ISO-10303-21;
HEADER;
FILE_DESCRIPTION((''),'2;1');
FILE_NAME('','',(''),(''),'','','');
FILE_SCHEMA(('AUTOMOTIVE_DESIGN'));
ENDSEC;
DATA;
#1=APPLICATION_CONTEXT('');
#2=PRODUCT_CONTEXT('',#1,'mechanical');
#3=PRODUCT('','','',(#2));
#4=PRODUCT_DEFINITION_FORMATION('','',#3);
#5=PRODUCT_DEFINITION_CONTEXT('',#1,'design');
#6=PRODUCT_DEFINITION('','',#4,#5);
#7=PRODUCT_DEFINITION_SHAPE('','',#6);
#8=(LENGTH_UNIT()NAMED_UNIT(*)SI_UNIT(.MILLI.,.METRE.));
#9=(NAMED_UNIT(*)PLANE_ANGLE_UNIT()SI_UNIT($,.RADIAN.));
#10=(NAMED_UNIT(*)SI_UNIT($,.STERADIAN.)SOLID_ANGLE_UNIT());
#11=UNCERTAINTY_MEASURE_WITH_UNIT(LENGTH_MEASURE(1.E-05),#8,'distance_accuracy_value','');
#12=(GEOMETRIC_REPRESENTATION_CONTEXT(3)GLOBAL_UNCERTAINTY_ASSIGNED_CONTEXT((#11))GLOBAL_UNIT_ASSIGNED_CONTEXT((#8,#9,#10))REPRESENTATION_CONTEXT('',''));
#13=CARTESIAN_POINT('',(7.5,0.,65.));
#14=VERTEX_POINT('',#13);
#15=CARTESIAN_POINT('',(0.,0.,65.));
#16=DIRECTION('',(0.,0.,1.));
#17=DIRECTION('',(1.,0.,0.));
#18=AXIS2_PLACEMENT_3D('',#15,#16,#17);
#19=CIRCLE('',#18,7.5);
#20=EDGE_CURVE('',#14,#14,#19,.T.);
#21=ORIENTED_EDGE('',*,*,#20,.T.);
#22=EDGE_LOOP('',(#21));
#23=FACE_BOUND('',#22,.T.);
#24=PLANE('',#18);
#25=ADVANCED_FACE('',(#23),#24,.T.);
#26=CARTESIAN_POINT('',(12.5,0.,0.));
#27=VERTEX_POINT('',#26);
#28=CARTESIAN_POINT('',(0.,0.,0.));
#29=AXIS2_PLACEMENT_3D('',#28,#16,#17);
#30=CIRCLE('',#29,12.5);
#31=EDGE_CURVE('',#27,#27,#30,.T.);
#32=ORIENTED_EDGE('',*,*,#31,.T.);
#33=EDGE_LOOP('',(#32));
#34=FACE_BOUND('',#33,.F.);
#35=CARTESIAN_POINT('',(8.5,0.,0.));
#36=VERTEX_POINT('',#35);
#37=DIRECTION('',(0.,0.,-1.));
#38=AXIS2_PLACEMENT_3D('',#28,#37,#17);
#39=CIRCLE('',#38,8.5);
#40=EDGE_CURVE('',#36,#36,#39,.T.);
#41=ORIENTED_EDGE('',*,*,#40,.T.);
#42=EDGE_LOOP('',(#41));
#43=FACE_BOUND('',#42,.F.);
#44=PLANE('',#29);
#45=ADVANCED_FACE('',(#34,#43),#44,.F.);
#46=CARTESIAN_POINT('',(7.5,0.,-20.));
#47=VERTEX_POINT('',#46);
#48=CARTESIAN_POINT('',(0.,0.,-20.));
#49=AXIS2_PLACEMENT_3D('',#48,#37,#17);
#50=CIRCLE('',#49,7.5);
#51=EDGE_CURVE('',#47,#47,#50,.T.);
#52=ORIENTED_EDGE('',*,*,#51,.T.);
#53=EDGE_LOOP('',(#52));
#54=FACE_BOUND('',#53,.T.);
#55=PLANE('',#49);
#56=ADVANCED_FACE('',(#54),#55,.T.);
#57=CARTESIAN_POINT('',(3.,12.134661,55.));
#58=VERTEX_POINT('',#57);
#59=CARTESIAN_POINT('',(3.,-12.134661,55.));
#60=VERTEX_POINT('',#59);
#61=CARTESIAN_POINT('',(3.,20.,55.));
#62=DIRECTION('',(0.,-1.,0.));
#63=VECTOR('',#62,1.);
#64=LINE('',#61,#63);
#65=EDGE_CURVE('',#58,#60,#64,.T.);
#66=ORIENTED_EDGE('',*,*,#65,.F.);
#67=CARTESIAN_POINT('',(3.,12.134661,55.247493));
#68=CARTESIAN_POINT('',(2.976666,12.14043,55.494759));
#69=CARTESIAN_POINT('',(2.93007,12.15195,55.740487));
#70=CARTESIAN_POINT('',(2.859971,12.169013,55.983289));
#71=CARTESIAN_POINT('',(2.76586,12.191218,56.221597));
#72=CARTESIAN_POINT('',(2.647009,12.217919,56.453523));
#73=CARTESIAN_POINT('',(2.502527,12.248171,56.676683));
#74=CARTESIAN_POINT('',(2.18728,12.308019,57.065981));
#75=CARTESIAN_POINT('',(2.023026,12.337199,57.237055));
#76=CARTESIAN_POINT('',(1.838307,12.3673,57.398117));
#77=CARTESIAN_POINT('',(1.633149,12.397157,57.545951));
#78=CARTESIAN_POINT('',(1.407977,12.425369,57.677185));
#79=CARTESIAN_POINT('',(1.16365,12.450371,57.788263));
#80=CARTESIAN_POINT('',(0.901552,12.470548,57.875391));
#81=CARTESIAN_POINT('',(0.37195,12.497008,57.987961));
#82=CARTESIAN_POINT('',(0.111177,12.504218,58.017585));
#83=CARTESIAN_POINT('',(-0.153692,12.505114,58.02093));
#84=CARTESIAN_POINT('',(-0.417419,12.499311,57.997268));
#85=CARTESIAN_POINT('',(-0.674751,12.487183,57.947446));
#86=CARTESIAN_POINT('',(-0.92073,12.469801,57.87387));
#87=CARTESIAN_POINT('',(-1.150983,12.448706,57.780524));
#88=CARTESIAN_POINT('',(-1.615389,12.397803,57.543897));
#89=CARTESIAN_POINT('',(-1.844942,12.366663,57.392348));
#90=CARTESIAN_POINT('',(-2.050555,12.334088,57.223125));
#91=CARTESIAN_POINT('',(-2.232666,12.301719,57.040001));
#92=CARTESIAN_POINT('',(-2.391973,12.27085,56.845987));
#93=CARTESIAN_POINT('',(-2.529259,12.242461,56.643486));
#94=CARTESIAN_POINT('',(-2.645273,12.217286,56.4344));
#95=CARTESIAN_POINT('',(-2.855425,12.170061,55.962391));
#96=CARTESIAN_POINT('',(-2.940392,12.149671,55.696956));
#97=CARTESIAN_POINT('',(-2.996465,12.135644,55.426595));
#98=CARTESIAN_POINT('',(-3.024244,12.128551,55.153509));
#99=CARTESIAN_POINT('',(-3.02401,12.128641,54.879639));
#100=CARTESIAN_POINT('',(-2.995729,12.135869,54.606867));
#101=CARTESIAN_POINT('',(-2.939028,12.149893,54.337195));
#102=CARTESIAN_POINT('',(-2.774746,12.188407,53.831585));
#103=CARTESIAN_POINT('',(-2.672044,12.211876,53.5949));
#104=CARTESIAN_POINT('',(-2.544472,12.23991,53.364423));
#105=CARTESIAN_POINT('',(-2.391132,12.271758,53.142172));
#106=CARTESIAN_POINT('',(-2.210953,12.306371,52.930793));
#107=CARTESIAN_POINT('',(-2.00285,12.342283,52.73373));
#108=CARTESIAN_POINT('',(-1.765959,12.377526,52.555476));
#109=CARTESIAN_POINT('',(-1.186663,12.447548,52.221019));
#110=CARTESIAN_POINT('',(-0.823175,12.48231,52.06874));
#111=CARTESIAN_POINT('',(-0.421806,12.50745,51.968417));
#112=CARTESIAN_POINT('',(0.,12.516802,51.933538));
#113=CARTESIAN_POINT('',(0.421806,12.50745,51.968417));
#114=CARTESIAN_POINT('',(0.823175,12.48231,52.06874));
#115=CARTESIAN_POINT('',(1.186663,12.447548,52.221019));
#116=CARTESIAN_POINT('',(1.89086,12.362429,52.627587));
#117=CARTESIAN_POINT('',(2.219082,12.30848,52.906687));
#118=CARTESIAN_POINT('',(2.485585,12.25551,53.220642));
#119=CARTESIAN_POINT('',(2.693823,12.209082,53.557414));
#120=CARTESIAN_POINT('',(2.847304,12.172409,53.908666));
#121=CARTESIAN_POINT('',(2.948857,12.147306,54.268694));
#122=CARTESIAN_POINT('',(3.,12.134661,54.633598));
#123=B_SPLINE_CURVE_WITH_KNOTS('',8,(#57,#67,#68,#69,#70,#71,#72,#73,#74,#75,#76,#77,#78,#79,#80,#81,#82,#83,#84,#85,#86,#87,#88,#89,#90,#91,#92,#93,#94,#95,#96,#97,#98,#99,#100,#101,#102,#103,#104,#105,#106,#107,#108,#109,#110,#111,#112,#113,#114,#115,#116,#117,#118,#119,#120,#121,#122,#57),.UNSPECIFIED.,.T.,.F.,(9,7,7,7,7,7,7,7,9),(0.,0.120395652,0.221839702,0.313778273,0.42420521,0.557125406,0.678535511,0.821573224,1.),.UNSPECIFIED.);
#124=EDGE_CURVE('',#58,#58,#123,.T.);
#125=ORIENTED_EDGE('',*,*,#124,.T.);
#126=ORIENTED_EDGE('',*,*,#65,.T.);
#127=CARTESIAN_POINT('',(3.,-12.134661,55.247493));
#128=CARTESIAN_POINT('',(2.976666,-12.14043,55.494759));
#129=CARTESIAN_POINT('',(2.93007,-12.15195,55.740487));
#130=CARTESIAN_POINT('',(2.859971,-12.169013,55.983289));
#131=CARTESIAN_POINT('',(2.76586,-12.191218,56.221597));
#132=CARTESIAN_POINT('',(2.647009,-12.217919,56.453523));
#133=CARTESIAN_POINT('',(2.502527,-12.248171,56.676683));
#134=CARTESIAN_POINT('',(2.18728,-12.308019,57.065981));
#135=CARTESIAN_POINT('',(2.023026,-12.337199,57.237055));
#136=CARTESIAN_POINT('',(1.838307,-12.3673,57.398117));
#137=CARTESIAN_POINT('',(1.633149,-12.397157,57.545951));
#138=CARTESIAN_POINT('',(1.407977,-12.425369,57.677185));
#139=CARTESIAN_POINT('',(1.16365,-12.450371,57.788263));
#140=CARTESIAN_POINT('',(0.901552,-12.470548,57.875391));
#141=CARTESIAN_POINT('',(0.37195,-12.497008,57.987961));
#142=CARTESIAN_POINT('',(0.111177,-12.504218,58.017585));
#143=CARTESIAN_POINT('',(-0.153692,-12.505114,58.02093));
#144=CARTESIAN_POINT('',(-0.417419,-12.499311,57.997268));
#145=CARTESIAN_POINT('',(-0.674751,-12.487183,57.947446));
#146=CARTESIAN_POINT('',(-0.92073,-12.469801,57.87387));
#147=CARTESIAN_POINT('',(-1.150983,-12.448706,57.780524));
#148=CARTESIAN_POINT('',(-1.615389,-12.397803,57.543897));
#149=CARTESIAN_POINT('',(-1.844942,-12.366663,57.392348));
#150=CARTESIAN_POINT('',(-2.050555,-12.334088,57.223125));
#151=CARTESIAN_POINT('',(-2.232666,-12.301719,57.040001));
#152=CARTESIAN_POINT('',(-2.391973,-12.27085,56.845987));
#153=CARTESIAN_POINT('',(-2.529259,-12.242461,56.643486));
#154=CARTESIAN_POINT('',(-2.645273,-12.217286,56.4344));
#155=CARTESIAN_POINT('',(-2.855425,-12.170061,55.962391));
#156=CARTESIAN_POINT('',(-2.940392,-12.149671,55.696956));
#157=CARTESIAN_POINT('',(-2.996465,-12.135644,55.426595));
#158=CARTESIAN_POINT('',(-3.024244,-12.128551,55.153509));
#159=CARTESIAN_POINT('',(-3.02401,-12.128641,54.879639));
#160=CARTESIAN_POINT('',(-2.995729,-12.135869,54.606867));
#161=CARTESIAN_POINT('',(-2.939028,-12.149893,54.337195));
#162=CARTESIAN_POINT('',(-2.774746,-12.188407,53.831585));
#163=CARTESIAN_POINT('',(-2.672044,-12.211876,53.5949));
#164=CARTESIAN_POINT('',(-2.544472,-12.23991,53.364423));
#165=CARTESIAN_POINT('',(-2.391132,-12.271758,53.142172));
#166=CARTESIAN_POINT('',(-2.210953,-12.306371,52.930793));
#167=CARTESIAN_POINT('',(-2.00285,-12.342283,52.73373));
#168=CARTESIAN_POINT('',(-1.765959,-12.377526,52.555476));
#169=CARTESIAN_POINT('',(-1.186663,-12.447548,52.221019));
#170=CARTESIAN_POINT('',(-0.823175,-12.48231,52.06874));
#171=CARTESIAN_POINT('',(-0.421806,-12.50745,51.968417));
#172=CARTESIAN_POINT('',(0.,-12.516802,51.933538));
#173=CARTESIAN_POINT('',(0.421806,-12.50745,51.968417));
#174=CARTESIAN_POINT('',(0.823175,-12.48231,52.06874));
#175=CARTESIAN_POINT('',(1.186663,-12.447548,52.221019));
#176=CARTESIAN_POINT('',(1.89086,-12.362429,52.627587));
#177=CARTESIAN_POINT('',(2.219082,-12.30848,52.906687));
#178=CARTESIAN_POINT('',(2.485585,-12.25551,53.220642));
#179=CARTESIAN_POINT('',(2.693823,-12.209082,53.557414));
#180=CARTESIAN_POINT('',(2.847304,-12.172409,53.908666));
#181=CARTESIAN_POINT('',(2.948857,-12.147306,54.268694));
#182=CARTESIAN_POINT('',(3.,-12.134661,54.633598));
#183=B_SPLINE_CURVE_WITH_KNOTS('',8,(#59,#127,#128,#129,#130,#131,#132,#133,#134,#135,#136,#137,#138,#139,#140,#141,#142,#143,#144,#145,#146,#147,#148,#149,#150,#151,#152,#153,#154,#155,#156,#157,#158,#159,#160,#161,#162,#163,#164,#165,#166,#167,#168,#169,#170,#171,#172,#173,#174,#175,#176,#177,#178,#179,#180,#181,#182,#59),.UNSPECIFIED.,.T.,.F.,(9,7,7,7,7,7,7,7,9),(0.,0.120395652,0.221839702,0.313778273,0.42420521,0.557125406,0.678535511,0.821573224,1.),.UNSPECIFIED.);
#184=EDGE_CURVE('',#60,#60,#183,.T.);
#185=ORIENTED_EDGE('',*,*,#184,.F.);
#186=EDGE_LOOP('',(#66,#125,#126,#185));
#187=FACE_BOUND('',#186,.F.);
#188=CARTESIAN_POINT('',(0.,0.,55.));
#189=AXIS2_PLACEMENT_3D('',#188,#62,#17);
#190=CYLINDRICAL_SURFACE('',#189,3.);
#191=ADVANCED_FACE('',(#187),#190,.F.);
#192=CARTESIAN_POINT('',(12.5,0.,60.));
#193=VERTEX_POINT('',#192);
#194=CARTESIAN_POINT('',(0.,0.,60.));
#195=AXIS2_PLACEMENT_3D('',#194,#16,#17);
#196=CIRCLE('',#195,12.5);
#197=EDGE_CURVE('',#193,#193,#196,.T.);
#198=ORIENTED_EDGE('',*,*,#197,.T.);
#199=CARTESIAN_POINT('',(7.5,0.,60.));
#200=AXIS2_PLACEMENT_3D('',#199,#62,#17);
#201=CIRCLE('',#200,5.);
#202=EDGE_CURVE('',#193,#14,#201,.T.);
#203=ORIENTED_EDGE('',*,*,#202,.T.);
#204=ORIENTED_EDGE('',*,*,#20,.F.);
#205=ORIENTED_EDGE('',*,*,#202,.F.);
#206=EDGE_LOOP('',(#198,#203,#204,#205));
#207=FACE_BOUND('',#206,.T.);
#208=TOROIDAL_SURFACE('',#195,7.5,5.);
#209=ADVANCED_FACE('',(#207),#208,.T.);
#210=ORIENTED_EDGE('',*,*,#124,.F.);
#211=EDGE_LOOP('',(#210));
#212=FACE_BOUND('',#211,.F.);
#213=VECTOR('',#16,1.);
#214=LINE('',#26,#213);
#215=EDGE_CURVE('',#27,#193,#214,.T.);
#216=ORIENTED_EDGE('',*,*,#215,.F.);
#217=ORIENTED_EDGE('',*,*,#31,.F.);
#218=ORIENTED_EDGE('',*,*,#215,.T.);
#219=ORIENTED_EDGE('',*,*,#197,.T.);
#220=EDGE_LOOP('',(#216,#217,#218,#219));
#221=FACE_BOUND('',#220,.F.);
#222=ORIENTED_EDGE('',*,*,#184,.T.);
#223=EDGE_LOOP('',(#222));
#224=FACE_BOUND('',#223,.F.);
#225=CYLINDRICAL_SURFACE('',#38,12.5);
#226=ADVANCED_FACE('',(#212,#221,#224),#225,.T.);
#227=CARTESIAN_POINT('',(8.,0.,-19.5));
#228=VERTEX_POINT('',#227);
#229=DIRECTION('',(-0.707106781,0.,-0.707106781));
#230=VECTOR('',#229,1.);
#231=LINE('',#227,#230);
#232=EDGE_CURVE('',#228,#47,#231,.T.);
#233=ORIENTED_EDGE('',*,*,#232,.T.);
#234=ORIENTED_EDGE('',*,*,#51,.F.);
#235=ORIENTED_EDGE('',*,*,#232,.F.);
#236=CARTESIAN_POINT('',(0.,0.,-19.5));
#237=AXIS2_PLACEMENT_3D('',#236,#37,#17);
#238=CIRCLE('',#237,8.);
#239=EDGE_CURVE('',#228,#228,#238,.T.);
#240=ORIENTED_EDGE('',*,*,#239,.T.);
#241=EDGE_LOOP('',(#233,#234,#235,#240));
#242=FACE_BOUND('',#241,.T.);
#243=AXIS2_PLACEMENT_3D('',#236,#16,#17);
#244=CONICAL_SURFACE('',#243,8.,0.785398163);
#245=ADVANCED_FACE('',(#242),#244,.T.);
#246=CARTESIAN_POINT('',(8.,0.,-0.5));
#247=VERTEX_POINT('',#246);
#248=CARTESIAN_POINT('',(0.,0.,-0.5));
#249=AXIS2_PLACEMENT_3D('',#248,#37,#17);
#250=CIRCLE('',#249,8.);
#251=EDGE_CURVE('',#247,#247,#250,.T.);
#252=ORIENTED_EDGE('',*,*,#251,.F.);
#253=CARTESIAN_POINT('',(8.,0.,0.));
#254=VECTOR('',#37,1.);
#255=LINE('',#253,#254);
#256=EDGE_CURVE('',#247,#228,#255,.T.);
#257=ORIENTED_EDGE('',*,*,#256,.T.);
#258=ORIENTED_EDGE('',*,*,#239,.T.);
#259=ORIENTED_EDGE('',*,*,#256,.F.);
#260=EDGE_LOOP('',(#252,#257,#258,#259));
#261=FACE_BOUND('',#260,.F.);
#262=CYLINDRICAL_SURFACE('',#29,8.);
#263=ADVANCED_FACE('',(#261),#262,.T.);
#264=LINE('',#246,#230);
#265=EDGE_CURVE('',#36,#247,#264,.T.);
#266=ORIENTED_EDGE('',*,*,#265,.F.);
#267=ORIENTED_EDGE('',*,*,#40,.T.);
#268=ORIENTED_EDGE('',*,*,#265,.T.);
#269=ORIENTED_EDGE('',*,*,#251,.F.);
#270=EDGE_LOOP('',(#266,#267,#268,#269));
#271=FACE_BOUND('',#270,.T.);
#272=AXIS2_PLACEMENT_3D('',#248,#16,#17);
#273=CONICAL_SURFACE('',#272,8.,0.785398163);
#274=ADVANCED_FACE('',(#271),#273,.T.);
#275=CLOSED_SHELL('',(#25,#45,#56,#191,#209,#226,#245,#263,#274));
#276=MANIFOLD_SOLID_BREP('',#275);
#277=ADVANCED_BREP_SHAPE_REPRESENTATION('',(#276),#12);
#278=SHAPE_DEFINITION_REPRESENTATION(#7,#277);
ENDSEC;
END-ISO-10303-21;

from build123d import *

# Parameters (mm, degrees)
F0_R     = 12.5
F1_DEPTH = 65
F2_R     = 5
F3_R     = 8
F4_DEPTH = 20
F5_SIZE  = 0.5
F6_R     = 3
F7_DEPTH = 20


with BuildPart() as f1:
    # F0 (on Top) → F1 (new body)
    with BuildSketch(Plane.XY):
        Circle(F0_R)
    extrude(amount=F1_DEPTH)

    # F2
    f2_edges = [f1.edges().sort_by_distance(p)[0] for p in [
        (-12.5, 0, 65),
    ]]
    fillet(f2_edges, radius=F2_R)

    # F3 (on face) → F4 (join)
    with BuildSketch(Plane(origin=(0, 0, 0), x_dir=(1, 0, 0), z_dir=(0, 0, -1))):
        Circle(F3_R)
    extrude(amount=F4_DEPTH)

    # F5
    f5_edges = [f1.edges().sort_by_distance(p)[0] for p in [
        (-8, 0, -20),
        (-8, 0, 0),
    ]]
    chamfer(f5_edges, length=F5_SIZE)

    # F6 (on Front) → F7 (cut, symmetric)
    with BuildSketch(Plane.XZ):
        with Locations((0, 55)):
            Circle(F6_R)
    extrude(amount=F7_DEPTH, both=True, mode=Mode.SUBTRACT)


solid = f1.part
